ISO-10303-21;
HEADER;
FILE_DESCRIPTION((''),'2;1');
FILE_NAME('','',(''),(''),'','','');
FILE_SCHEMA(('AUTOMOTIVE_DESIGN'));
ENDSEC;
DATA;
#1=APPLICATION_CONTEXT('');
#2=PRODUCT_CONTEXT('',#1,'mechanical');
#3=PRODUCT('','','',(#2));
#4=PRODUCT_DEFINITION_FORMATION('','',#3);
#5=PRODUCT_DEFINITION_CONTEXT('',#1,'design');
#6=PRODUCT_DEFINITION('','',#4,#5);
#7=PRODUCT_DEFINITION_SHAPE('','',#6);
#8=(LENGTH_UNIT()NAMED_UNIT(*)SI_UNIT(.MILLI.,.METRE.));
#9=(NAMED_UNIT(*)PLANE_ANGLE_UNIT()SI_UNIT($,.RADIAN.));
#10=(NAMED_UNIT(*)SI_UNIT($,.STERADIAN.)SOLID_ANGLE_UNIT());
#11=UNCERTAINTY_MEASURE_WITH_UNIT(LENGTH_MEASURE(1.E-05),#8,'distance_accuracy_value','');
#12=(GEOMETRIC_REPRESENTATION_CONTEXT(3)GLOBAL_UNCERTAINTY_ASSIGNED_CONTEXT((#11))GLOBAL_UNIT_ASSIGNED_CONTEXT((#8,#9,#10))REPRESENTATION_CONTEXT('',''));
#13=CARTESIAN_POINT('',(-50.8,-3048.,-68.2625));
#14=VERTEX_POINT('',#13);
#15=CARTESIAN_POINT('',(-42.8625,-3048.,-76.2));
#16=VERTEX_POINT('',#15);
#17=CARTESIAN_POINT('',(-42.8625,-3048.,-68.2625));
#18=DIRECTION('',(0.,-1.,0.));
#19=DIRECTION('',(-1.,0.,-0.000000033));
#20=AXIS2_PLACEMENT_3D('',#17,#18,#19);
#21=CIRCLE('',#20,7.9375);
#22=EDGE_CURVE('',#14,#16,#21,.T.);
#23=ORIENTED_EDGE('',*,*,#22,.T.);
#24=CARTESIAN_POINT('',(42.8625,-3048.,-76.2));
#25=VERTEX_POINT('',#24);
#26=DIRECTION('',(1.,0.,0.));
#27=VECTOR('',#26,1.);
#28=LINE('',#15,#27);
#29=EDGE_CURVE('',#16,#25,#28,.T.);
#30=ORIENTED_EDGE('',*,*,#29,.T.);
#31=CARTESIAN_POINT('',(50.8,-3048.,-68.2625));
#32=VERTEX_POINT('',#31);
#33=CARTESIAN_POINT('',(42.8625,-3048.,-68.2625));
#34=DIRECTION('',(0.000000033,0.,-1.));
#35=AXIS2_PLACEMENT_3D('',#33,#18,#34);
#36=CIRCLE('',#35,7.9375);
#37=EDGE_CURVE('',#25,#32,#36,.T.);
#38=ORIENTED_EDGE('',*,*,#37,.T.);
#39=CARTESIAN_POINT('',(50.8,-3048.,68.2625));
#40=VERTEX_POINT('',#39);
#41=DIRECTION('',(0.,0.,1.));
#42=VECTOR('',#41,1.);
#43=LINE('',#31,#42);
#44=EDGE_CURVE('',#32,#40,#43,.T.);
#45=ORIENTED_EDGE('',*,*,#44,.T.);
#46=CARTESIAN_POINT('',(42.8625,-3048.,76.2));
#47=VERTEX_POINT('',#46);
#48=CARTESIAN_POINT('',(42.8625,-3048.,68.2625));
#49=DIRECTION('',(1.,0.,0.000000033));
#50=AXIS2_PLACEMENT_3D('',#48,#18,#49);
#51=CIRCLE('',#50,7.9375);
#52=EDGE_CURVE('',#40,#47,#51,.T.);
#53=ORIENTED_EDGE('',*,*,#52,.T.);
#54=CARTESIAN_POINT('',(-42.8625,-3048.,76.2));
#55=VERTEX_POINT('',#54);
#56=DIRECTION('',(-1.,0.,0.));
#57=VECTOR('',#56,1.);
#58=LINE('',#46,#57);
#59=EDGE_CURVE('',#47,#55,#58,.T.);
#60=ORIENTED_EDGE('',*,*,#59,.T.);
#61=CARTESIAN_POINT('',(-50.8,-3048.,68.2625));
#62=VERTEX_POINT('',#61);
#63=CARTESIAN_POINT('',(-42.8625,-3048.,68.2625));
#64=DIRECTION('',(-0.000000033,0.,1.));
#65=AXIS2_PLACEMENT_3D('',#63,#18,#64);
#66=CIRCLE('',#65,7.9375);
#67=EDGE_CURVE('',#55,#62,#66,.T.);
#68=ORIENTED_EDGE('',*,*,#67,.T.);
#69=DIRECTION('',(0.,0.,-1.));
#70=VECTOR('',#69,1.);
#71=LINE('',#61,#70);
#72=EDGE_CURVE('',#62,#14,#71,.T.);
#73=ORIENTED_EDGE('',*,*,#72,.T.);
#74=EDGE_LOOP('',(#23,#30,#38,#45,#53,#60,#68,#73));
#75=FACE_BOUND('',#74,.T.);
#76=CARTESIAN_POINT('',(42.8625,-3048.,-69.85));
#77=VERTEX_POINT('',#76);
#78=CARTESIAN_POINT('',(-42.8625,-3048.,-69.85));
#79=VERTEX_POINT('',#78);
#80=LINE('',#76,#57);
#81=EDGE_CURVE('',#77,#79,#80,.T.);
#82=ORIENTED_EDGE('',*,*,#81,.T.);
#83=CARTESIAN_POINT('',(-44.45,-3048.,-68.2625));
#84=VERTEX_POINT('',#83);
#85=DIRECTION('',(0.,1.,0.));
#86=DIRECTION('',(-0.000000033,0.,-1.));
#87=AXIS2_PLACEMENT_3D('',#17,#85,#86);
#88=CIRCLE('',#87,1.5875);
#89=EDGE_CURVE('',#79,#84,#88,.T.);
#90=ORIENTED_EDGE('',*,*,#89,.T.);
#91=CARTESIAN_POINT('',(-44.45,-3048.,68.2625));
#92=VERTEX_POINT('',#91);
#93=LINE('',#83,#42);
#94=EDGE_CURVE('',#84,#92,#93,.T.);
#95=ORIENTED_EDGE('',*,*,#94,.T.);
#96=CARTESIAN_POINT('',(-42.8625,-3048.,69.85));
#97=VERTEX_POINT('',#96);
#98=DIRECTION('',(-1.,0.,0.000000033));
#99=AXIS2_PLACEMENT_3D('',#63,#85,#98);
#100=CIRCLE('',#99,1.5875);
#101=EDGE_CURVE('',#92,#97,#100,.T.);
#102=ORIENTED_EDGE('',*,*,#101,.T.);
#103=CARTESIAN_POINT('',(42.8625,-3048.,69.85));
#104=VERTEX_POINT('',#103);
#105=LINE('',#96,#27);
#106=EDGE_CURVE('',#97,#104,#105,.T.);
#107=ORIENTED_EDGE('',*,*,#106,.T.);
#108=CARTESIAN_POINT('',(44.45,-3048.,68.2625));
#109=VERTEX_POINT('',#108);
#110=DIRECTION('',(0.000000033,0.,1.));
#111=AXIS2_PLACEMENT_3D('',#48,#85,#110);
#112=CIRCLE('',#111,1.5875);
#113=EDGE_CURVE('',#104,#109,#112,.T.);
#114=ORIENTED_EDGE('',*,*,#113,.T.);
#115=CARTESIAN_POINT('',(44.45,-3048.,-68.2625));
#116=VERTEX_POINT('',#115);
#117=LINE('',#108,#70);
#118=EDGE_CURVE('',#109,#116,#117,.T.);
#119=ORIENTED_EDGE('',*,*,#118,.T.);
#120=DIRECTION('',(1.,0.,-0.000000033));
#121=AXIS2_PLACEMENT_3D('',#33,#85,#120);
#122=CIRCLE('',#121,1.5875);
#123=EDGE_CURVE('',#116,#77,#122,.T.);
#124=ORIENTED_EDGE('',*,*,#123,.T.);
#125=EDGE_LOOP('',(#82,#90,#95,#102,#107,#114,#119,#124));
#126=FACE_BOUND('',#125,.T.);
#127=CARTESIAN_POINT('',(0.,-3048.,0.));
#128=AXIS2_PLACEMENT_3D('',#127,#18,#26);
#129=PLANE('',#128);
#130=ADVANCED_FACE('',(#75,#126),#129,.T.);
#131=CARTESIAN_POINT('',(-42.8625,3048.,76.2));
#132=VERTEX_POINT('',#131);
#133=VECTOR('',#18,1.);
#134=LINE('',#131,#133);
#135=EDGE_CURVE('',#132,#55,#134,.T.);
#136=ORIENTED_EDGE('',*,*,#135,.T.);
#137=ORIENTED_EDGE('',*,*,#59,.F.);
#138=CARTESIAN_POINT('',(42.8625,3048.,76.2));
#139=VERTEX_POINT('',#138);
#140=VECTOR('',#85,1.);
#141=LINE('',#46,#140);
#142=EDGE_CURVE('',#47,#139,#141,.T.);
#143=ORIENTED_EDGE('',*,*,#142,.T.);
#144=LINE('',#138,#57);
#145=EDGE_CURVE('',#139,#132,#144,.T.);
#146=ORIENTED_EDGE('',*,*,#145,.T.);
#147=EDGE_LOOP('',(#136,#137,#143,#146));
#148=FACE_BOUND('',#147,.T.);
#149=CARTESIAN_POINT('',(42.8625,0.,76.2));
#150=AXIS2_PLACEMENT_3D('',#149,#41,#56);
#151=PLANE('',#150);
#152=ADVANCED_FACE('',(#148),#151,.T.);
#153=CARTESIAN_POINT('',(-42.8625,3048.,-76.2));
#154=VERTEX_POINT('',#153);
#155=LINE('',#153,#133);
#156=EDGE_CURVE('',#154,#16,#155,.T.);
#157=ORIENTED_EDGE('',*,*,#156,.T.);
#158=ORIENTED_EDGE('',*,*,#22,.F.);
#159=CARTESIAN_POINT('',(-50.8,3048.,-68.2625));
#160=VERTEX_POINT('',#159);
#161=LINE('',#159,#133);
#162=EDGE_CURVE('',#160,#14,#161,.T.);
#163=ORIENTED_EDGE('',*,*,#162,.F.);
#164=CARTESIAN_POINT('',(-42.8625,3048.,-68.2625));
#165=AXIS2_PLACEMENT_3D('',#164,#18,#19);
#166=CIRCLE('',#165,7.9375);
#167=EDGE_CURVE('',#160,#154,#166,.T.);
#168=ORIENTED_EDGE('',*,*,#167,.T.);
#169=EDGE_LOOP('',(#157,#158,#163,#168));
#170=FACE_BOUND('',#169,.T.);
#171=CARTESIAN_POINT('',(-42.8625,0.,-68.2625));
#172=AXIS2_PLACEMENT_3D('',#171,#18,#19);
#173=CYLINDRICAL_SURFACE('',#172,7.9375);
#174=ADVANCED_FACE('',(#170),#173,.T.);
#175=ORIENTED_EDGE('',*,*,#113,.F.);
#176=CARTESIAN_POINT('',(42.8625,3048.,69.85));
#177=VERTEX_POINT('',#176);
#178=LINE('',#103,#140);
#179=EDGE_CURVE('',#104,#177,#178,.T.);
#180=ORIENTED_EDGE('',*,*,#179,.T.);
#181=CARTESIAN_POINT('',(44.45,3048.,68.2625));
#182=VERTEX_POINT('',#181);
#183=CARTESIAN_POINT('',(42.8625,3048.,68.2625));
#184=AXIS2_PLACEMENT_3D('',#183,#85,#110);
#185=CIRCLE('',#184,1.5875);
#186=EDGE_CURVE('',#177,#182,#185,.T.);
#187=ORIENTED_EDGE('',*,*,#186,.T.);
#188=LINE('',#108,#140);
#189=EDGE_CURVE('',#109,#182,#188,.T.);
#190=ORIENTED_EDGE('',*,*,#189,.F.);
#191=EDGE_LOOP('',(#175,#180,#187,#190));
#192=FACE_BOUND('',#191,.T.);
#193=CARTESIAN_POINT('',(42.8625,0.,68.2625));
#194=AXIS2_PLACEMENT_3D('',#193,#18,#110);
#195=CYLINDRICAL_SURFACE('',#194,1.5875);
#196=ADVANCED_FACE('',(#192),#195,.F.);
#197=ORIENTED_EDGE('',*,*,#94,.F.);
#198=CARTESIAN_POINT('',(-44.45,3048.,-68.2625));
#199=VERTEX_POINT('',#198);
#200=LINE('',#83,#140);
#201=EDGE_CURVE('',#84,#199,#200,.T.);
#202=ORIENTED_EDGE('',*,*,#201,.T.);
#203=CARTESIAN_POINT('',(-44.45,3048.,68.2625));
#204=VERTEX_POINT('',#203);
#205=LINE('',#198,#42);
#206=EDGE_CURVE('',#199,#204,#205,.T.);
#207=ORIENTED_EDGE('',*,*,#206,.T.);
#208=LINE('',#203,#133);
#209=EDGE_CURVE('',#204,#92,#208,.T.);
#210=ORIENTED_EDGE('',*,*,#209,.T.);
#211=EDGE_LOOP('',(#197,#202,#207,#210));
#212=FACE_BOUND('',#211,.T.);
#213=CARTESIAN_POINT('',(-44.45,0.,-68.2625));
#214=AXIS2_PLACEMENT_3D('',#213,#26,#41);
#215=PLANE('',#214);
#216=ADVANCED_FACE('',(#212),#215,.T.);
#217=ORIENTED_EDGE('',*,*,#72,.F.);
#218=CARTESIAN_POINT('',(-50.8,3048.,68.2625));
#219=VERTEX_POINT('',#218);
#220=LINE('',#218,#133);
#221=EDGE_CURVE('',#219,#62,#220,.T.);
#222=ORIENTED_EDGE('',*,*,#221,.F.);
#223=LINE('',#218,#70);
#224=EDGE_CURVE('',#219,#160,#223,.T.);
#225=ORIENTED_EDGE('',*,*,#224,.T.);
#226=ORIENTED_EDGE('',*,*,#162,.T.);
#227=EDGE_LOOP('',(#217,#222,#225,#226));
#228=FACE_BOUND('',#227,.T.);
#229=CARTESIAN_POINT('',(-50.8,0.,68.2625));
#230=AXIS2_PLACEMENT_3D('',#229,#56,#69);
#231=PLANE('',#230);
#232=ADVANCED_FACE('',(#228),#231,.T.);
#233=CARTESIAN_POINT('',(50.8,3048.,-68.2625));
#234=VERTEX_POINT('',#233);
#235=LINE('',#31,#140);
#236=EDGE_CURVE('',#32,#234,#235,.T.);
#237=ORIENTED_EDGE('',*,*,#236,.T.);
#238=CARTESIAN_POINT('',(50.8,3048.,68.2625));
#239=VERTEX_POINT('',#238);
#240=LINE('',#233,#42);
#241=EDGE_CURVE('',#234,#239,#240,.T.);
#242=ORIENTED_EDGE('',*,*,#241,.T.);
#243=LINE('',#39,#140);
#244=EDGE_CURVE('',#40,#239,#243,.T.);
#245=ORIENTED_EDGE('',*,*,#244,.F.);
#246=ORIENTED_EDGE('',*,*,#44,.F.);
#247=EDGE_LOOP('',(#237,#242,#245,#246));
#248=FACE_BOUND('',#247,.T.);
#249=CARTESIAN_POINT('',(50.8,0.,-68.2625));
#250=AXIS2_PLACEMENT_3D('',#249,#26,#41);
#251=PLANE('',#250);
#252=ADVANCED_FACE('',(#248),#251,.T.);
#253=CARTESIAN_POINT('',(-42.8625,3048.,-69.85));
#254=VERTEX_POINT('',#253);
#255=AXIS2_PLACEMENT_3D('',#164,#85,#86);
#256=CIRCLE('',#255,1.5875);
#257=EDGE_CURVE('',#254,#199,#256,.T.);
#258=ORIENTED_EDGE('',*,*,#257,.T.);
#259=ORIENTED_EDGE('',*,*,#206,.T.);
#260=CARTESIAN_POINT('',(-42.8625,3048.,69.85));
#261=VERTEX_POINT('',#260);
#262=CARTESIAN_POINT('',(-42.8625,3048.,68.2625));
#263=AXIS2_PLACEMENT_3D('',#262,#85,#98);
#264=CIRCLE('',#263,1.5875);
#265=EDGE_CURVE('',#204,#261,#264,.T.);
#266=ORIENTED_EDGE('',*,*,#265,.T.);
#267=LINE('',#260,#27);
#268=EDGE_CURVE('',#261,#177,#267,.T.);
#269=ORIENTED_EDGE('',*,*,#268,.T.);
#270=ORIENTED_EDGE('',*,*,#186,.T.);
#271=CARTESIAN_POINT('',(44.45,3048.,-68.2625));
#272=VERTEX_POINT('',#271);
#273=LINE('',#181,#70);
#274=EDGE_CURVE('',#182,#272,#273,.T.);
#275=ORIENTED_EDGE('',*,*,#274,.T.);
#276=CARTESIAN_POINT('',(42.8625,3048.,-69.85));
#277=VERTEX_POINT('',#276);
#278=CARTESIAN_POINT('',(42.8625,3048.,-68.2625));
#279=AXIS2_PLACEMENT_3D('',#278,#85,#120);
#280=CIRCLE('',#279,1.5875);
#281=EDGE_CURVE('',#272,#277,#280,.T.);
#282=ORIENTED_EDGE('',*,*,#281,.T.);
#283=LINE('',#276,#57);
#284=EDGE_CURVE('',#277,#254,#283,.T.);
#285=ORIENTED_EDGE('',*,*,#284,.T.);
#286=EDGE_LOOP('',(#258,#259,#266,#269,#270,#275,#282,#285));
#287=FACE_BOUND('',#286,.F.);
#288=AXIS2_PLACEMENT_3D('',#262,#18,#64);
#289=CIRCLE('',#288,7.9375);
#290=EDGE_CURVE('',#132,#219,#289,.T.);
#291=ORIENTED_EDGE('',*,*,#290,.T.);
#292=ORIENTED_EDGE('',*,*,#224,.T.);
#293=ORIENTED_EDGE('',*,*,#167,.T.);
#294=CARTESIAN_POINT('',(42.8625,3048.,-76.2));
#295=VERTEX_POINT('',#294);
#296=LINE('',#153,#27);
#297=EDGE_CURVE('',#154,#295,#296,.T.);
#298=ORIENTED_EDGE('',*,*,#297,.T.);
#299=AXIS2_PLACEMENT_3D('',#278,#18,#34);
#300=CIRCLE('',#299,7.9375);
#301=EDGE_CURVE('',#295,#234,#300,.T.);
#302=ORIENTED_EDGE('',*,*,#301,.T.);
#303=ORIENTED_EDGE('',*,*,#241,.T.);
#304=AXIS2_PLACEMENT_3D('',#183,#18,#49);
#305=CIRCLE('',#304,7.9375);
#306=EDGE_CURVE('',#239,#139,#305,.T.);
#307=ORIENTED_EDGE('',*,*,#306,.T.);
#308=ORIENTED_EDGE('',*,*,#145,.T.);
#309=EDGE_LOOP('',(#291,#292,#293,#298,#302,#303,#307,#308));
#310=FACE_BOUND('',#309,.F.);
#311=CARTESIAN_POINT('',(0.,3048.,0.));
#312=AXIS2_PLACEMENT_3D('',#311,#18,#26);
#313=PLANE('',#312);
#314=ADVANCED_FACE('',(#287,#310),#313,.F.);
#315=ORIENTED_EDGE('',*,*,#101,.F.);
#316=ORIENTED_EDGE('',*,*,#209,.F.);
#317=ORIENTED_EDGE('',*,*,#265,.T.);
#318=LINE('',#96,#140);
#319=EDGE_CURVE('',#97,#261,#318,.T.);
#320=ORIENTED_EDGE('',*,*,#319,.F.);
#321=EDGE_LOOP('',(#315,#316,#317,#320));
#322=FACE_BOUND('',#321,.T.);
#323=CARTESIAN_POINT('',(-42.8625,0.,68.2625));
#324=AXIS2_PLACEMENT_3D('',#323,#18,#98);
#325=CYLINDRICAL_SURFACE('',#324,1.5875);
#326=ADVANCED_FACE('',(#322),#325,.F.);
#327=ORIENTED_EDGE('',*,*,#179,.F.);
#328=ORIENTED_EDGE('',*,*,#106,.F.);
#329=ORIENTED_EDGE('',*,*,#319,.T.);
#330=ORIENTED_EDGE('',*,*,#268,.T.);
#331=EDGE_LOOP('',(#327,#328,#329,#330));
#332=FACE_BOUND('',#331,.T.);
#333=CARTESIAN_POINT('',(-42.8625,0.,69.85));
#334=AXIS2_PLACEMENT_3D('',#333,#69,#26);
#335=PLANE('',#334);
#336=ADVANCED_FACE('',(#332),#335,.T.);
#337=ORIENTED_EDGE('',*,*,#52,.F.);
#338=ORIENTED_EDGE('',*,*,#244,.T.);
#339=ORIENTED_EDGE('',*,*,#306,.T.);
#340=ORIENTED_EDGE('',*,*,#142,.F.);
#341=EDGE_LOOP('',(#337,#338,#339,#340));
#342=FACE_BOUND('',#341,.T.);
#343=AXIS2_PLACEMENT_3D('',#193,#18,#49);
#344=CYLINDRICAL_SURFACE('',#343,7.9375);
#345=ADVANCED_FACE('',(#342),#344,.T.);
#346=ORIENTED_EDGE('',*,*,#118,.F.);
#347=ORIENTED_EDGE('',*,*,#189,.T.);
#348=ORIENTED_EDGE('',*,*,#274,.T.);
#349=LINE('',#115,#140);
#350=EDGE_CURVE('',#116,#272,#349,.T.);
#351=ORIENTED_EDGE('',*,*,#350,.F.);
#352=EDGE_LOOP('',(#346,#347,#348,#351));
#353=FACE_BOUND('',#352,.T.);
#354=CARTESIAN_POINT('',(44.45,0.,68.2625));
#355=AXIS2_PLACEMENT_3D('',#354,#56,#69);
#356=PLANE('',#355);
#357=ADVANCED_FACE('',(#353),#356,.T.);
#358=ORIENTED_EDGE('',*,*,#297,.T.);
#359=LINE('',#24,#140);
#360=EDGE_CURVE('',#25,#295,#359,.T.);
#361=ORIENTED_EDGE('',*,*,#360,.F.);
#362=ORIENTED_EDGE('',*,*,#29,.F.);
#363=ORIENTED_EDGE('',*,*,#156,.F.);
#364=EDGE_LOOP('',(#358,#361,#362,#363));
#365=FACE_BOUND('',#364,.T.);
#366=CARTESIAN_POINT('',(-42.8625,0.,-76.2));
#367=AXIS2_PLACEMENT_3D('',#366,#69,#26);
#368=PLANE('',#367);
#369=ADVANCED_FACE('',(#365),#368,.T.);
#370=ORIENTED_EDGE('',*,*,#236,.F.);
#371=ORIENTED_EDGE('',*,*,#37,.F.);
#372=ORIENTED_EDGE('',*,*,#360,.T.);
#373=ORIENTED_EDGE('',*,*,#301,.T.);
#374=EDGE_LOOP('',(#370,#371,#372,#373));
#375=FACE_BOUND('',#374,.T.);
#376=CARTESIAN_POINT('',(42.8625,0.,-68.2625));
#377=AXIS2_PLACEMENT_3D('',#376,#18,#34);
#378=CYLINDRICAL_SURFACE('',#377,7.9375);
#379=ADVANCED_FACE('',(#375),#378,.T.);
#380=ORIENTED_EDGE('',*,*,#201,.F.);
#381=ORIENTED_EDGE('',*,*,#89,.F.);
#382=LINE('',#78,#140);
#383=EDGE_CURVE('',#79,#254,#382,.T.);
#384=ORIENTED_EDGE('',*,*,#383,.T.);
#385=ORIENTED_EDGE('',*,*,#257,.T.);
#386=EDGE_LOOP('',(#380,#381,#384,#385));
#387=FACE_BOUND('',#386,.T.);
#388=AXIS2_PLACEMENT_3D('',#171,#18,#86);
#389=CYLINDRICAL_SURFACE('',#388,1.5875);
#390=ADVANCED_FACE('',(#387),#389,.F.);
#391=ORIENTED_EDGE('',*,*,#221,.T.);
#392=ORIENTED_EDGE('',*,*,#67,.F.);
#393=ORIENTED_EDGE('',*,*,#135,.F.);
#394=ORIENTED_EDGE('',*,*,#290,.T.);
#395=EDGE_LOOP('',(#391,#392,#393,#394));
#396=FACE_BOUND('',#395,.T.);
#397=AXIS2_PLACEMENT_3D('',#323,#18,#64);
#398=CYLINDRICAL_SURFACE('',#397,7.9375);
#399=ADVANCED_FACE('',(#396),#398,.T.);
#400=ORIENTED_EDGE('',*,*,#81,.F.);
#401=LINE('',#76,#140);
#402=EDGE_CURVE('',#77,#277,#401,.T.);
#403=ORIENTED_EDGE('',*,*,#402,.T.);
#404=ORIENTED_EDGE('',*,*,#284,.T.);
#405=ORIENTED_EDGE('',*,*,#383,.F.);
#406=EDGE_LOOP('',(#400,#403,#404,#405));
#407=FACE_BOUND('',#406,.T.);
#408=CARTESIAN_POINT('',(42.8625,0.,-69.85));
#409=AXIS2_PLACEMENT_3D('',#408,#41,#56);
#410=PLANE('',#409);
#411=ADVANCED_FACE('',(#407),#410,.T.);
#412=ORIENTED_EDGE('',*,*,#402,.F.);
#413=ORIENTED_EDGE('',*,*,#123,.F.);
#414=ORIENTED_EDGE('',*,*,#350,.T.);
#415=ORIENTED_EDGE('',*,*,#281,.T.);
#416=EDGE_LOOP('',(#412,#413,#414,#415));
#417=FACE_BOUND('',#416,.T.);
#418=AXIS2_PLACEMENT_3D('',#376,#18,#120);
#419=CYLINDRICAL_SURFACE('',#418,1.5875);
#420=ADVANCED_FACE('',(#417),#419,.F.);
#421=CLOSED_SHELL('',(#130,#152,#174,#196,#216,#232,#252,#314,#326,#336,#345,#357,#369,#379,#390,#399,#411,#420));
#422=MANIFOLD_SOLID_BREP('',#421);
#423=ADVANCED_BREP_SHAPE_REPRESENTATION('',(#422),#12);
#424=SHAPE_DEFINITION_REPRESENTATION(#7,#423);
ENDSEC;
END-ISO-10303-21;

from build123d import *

# Parameters (mm, degrees)
F1_DEPTH = 3048


with BuildPart() as f1:
    # F0 (on Front) → F1 (new body, symmetric)
    with BuildSketch(Plane.XZ):
        with BuildLine():
            Line((42.8625, 76.2), (-42.8625, 76.2))
            ThreePointArc((-42.8625, 76.2), (-48.47516, 73.87516), (-50.8, 68.2625))
            Line((-50.8, 68.2625), (-50.8, -68.2625))
            ThreePointArc((-50.8, -68.2625), (-48.47516, -73.87516), (-42.8625, -76.2))
            Line((-42.8625, -76.2), (42.8625, -76.2))
            ThreePointArc((42.8625, -76.2), (48.47516, -73.87516), (50.8, -68.2625))
            Line((50.8, -68.2625), (50.8, 68.2625))
            ThreePointArc((50.8, 68.2625), (48.47516, 73.87516), (42.8625, 76.2))
        make_face()
        with BuildLine():
            ThreePointArc((-44.45, 68.2625), (-43.985032, 69.385032), (-42.8625, 69.85))
            Line((-42.8625, 69.85), (42.8625, 69.85))
            ThreePointArc((42.8625, 69.85), (43.985032, 69.385032), (44.45, 68.2625))
            Line((44.45, 68.2625), (44.45, -68.2625))
            ThreePointArc((44.45, -68.2625), (43.985032, -69.385032), (42.8625, -69.85))
            Line((42.8625, -69.85), (-42.8625, -69.85))
            ThreePointArc((-42.8625, -69.85), (-43.985032, -69.385032), (-44.45, -68.2625))
            Line((-44.45, -68.2625), (-44.45, 68.2625))
        make_face(mode=Mode.SUBTRACT)
    extrude(amount=F1_DEPTH, both=True)


solid = f1.part
